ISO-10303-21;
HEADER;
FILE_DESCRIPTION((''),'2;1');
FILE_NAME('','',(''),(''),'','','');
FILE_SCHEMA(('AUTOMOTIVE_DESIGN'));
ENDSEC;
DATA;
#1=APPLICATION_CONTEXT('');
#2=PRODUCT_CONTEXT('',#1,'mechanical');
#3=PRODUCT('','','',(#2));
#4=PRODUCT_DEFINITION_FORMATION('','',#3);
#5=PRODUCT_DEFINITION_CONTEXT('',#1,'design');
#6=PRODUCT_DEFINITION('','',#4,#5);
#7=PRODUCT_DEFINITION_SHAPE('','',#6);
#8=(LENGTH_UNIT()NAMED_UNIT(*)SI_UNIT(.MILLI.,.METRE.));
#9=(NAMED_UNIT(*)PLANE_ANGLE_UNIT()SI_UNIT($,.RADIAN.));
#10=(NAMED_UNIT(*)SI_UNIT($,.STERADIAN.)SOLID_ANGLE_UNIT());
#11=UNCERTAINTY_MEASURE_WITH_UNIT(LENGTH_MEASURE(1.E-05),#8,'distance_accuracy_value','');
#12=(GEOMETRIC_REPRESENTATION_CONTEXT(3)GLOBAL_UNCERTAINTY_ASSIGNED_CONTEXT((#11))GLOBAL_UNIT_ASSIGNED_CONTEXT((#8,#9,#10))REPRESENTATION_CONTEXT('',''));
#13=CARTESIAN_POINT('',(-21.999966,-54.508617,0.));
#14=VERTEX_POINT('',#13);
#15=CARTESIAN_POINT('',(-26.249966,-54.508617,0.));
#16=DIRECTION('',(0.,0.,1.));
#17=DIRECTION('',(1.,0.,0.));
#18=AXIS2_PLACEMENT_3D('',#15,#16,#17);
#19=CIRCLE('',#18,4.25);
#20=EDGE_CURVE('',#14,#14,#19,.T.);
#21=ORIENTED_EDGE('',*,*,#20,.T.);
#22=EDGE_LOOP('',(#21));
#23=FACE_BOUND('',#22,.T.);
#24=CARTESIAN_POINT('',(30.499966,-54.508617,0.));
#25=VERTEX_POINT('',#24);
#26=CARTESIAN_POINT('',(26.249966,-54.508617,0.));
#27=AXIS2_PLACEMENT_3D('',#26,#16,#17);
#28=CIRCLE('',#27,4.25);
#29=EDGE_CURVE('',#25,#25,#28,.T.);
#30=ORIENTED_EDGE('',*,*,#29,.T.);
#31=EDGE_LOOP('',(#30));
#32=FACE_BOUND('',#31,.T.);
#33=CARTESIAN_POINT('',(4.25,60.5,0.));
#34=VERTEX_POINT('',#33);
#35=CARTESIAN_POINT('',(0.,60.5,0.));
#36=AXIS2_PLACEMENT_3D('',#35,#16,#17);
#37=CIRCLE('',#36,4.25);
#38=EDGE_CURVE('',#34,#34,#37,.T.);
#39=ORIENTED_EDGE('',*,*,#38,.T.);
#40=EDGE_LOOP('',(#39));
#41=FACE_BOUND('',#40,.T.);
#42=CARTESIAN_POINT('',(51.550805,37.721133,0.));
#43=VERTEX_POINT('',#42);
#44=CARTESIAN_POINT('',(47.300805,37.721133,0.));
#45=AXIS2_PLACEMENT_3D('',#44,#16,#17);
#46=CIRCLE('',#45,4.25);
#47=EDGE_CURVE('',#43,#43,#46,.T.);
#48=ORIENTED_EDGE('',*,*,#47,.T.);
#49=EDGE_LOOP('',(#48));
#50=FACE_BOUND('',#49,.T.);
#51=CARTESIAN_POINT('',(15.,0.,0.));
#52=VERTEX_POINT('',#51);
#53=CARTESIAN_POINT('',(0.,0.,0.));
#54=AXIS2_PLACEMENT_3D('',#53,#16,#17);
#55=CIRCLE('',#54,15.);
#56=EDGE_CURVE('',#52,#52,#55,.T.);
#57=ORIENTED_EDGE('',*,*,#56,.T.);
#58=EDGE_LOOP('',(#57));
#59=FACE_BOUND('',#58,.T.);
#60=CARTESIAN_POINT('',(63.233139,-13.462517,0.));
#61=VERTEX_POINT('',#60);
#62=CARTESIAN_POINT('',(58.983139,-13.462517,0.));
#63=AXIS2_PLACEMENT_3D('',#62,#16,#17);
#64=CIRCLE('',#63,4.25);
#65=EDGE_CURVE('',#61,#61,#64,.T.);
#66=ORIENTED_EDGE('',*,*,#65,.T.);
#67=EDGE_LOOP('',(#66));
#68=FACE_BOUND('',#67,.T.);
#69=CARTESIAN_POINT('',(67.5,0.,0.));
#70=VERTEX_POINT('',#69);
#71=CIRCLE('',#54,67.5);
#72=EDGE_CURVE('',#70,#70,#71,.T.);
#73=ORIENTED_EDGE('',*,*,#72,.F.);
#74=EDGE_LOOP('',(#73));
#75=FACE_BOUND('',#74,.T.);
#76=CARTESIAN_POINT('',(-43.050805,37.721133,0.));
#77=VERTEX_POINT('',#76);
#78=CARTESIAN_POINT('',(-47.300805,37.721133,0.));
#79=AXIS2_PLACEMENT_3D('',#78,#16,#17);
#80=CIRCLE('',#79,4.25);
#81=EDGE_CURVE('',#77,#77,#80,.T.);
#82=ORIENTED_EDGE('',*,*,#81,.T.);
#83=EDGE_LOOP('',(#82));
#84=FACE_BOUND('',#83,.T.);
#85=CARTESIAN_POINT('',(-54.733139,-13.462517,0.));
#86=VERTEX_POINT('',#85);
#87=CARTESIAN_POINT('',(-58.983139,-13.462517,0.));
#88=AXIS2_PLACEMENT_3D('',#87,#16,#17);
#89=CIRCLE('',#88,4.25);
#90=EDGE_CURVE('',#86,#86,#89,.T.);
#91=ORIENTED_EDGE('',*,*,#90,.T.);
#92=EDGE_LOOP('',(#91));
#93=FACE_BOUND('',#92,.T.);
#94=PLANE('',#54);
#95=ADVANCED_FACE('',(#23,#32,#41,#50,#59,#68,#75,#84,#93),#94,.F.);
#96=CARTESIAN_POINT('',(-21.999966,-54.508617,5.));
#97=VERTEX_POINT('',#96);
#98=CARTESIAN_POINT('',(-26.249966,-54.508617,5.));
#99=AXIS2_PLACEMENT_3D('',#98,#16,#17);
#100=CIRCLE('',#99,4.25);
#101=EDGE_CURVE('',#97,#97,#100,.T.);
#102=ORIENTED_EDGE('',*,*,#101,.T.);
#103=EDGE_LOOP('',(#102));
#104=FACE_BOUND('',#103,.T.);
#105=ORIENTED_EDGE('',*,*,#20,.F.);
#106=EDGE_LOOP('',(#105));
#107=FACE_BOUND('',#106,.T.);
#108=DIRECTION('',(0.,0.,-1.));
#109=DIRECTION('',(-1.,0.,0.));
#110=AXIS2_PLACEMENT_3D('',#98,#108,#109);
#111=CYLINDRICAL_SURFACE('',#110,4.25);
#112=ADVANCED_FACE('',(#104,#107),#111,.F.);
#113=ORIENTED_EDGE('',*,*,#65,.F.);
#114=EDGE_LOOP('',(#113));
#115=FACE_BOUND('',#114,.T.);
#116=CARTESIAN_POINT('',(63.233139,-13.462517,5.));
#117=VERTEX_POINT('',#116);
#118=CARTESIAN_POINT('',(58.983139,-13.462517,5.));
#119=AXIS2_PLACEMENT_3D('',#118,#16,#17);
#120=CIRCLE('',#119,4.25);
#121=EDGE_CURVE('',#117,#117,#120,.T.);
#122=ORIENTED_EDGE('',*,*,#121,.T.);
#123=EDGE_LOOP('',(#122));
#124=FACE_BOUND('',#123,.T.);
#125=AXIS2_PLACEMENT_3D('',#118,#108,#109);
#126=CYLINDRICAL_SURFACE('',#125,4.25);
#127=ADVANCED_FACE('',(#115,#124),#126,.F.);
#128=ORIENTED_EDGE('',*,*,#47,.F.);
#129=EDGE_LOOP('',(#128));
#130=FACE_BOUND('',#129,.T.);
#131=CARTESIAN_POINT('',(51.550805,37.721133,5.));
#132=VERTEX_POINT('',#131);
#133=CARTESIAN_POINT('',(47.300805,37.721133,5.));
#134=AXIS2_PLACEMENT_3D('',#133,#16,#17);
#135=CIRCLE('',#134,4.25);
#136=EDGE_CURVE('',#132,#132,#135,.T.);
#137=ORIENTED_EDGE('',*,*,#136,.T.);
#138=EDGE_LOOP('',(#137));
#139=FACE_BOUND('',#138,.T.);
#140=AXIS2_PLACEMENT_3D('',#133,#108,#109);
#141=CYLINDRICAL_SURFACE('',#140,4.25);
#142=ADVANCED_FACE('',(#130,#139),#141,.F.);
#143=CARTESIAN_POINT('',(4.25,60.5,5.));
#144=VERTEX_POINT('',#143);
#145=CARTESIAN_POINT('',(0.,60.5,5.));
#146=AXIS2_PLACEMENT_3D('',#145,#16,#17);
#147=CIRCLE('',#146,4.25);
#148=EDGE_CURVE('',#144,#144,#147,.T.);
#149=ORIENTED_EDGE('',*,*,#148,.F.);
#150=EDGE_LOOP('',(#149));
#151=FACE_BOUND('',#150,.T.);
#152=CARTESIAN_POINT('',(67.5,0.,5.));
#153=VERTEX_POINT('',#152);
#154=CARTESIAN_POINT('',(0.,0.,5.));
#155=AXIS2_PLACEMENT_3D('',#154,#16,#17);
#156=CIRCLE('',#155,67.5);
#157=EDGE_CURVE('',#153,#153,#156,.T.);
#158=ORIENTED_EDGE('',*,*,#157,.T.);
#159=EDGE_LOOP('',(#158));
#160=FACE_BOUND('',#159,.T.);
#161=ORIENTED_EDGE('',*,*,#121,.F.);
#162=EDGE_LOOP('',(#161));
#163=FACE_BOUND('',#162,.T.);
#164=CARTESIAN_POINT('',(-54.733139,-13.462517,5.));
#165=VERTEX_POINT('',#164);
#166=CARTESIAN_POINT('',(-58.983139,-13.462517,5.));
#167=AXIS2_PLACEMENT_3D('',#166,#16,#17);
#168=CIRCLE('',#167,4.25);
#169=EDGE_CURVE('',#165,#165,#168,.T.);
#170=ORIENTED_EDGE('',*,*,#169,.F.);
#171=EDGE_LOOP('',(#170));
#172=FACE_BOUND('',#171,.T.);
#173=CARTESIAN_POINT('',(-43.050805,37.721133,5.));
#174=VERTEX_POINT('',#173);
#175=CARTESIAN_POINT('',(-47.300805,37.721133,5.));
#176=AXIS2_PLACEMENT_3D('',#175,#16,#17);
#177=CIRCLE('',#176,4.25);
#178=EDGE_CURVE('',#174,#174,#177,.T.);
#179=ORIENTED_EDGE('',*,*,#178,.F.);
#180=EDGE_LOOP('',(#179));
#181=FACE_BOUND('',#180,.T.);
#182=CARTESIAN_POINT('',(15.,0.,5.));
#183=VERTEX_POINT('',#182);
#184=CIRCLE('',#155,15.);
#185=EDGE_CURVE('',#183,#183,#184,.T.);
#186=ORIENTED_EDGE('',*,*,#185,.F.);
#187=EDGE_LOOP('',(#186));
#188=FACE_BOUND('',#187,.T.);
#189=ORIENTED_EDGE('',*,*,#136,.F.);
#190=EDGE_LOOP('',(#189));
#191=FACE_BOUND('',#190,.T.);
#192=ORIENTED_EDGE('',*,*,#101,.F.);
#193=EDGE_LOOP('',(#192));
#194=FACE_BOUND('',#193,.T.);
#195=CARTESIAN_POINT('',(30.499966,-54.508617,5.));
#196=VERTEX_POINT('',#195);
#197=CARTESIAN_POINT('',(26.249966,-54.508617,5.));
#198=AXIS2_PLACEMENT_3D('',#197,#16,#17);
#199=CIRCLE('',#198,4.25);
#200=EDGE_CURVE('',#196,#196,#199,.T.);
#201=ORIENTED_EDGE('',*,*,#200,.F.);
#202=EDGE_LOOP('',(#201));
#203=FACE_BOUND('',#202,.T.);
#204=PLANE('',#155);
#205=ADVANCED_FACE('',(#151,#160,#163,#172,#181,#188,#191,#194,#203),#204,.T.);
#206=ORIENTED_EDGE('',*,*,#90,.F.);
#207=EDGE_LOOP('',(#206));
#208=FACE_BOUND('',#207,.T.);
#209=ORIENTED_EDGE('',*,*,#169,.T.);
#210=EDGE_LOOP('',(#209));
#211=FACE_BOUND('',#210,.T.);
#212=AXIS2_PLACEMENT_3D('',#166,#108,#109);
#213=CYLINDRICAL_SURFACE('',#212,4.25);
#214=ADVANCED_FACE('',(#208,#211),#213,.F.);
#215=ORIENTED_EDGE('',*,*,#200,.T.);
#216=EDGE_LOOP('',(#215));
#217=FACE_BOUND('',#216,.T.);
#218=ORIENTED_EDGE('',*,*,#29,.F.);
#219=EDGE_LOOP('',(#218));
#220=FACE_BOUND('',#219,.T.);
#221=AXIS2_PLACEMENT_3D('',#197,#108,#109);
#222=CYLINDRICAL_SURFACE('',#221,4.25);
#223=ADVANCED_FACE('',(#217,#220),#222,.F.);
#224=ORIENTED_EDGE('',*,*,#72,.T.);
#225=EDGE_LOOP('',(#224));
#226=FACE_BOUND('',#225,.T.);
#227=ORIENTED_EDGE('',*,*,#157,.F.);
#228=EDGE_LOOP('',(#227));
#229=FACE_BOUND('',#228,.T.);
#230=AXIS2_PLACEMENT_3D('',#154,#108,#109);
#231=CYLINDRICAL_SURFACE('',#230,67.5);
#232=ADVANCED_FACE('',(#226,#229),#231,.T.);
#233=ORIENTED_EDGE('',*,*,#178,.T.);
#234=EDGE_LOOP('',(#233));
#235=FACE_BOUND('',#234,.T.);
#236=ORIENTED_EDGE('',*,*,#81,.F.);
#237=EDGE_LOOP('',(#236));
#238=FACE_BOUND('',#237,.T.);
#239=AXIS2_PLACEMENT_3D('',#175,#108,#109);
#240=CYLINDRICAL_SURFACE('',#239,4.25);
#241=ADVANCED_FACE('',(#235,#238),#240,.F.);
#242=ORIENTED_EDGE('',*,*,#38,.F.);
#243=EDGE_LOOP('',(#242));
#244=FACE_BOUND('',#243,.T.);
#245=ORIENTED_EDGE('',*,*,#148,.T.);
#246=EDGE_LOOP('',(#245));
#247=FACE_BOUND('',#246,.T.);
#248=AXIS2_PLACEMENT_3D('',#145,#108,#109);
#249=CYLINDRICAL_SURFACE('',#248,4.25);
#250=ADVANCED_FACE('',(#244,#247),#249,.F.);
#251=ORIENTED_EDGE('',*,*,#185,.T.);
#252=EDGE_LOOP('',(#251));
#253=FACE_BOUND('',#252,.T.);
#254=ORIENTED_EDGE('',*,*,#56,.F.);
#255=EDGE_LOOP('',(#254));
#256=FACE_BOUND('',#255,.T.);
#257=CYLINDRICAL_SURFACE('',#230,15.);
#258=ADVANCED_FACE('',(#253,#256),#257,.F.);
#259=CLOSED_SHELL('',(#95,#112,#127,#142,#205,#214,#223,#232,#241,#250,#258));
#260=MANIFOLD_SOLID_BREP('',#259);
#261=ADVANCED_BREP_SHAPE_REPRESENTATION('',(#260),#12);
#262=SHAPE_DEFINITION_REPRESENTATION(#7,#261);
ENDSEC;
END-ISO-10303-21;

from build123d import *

# Parameters (mm, degrees)
ESQUISSE1_R        = 67.5
ESQUISSE1_R_2      = 4.25
ESQUISSE1_R_3      = 15
BOSS_EXTRU_1_DEPTH = 5


with BuildPart() as part:
    # Esquisse1 → Boss.-Extru.1 (new body)
    with BuildSketch(Plane.XY):
        Circle(ESQUISSE1_R)
        with Locations((0, 60.5)):
            Circle(ESQUISSE1_R_2, mode=Mode.SUBTRACT)
        with Locations((47.300804689, 37.721133012)):
            Circle(ESQUISSE1_R_2, mode=Mode.SUBTRACT)
        with Locations((58.983138687, -13.462516504)):
            Circle(ESQUISSE1_R_2, mode=Mode.SUBTRACT)
        with Locations((26.249966217, -54.508616508)):
            Circle(ESQUISSE1_R_2, mode=Mode.SUBTRACT)
        with Locations((-26.249966217, -54.508616508)):
            Circle(ESQUISSE1_R_2, mode=Mode.SUBTRACT)
        with Locations((-58.983138687, -13.462516504)):
            Circle(ESQUISSE1_R_2, mode=Mode.SUBTRACT)
        with Locations((-47.300804689, 37.721133012)):
            Circle(ESQUISSE1_R_2, mode=Mode.SUBTRACT)
        Circle(ESQUISSE1_R_3, mode=Mode.SUBTRACT)
    extrude(amount=BOSS_EXTRU_1_DEPTH)


solid = part.part
